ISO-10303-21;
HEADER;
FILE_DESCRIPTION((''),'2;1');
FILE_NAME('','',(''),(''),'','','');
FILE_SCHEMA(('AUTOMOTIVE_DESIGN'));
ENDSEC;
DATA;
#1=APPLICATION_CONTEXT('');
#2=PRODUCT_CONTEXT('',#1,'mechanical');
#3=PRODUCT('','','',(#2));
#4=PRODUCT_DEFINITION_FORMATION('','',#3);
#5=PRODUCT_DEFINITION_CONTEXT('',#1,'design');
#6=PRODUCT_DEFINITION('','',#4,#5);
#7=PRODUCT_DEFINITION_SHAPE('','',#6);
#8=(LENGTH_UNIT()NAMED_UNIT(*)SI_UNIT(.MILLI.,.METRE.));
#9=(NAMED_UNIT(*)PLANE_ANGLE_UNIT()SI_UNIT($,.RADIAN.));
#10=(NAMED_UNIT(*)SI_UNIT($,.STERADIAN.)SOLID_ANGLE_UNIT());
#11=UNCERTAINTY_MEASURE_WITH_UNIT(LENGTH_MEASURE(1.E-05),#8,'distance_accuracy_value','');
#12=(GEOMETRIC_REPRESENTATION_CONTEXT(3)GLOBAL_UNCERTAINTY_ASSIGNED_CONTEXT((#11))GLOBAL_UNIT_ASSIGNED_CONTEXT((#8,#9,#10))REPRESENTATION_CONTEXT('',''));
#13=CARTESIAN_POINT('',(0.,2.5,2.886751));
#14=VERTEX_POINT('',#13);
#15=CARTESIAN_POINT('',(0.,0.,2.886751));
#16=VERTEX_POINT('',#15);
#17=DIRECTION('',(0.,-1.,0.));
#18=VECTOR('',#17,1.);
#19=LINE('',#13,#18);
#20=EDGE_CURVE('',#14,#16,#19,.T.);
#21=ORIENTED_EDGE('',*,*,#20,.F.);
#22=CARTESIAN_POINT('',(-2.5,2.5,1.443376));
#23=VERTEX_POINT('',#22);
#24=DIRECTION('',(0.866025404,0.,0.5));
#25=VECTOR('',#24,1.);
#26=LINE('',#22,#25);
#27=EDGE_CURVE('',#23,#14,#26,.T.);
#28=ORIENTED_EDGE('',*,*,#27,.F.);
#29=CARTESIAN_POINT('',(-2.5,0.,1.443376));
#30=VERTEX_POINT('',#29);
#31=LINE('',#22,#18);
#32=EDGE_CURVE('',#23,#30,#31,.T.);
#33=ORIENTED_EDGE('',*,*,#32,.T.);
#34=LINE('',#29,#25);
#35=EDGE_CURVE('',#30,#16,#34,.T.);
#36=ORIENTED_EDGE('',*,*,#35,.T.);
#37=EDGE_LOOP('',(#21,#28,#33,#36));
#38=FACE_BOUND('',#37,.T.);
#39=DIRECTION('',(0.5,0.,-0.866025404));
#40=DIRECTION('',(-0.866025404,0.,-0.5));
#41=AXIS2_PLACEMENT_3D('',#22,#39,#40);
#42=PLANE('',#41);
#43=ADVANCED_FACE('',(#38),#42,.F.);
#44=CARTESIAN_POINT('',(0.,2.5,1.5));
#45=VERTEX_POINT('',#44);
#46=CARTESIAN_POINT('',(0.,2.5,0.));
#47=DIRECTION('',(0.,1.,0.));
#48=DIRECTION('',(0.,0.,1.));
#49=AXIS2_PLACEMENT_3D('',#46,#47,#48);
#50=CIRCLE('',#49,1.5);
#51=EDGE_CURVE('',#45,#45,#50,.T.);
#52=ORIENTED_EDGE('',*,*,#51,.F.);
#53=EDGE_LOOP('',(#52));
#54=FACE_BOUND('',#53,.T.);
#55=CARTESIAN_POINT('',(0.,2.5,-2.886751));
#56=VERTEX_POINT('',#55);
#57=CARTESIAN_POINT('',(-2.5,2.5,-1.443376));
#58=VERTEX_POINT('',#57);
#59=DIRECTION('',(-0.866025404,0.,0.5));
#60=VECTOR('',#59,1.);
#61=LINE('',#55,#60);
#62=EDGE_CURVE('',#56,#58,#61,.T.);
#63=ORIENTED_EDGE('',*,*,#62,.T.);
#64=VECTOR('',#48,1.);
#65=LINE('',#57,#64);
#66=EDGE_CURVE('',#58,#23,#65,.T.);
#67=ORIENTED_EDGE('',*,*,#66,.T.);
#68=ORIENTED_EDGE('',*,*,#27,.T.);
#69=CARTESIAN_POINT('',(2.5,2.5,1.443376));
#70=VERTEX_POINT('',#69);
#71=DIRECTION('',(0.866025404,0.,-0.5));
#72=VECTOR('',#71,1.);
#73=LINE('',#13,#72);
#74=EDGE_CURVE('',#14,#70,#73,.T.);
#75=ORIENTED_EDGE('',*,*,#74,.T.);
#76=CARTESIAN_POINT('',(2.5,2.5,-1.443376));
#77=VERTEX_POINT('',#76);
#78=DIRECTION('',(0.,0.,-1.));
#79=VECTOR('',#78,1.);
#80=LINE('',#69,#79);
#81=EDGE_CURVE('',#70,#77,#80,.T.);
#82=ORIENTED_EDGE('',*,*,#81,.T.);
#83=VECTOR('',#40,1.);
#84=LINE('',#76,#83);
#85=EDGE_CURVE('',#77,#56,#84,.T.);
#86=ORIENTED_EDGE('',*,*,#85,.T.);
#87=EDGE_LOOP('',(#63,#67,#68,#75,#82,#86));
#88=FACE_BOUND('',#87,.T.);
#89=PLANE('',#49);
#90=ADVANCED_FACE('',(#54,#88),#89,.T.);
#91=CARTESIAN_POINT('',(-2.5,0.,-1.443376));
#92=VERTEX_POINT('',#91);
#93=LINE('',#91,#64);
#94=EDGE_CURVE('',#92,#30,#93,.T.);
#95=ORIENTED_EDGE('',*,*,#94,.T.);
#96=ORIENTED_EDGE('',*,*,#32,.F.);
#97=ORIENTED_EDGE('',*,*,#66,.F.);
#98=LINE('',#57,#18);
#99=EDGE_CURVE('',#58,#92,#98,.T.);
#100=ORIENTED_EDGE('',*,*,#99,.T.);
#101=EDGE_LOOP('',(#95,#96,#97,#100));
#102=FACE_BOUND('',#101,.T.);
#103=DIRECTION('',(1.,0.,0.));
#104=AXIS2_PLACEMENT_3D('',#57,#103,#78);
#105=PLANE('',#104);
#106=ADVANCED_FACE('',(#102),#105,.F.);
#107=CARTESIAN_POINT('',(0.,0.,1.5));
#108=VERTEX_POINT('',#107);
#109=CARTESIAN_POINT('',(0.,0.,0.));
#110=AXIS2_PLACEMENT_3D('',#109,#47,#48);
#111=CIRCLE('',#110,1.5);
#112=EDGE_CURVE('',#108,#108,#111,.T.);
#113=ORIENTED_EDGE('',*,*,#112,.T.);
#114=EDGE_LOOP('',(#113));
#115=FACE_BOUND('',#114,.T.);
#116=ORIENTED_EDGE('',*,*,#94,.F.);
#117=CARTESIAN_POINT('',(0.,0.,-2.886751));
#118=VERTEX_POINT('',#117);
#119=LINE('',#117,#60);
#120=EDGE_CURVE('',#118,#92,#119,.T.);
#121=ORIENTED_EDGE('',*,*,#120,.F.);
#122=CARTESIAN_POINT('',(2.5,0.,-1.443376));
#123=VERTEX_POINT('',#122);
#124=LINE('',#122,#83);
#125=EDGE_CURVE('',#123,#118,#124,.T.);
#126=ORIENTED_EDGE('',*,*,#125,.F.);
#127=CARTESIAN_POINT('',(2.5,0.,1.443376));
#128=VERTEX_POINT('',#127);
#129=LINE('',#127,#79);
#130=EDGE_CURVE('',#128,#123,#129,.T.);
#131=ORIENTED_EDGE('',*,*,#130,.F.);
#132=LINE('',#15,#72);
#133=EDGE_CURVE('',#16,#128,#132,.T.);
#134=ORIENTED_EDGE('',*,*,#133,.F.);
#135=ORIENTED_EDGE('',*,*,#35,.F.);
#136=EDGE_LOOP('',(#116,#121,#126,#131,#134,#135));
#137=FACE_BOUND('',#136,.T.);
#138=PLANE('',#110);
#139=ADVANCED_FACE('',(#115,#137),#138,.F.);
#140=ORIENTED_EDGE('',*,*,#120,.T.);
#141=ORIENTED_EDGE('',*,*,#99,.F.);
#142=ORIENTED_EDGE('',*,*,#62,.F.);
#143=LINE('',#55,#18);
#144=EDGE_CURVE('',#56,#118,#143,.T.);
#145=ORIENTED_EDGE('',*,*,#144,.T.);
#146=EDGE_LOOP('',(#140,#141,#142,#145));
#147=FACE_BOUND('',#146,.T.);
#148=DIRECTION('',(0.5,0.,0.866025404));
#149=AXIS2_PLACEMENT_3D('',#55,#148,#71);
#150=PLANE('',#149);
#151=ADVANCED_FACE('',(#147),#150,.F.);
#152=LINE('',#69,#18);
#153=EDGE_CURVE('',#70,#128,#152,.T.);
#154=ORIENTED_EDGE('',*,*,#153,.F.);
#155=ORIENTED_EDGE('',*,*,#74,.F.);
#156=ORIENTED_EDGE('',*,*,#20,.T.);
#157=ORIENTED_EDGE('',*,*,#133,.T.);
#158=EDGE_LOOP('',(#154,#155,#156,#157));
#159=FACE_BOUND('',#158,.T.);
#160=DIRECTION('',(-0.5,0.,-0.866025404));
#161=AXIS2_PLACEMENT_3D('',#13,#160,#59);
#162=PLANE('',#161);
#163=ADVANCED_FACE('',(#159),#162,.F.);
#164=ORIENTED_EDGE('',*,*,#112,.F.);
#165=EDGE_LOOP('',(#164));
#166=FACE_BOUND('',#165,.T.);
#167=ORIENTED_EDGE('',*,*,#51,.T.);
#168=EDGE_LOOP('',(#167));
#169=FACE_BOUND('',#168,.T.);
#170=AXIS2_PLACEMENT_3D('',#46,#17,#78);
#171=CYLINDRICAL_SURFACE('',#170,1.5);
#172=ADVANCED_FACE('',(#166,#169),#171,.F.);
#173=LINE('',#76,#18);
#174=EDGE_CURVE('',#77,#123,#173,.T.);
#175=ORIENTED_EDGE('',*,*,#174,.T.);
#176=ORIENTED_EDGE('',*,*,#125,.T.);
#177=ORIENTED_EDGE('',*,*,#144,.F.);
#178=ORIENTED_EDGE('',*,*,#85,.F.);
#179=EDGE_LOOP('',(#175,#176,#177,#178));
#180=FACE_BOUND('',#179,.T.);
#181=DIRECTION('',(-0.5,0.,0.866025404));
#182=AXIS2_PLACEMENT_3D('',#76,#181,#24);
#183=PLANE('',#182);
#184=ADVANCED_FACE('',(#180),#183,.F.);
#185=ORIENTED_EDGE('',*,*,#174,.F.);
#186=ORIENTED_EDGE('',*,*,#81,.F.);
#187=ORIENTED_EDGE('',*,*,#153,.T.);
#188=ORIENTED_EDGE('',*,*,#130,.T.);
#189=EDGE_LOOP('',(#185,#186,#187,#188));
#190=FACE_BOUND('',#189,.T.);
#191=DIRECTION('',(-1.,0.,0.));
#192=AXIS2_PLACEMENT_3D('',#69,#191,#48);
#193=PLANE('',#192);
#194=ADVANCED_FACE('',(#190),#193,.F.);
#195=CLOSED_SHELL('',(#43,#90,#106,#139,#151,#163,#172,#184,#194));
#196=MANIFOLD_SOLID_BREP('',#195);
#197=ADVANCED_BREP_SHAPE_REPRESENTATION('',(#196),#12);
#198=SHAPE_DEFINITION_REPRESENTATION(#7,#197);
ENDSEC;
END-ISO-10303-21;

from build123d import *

# Parameters (mm, degrees)
SKETCH1_R           = 1.5
BOSS_EXTRUDE1_DEPTH = 2.5


with BuildPart() as part:
    # Sketch1 → Boss-Extrude1 (new body)
    with BuildSketch(Plane(origin=(0, 0, 0), x_dir=(1, 0, 0), z_dir=(0, 1, 0))):
        Polygon((0, 2.886751346), (-2.5, 1.443375673), (-2.5, -1.443375673), (0, -2.886751346), (2.5, -1.443375673), (2.5, 1.443375673), align=None)
        Circle(SKETCH1_R, mode=Mode.SUBTRACT)
    extrude(amount=BOSS_EXTRUDE1_DEPTH)


solid = part.part
